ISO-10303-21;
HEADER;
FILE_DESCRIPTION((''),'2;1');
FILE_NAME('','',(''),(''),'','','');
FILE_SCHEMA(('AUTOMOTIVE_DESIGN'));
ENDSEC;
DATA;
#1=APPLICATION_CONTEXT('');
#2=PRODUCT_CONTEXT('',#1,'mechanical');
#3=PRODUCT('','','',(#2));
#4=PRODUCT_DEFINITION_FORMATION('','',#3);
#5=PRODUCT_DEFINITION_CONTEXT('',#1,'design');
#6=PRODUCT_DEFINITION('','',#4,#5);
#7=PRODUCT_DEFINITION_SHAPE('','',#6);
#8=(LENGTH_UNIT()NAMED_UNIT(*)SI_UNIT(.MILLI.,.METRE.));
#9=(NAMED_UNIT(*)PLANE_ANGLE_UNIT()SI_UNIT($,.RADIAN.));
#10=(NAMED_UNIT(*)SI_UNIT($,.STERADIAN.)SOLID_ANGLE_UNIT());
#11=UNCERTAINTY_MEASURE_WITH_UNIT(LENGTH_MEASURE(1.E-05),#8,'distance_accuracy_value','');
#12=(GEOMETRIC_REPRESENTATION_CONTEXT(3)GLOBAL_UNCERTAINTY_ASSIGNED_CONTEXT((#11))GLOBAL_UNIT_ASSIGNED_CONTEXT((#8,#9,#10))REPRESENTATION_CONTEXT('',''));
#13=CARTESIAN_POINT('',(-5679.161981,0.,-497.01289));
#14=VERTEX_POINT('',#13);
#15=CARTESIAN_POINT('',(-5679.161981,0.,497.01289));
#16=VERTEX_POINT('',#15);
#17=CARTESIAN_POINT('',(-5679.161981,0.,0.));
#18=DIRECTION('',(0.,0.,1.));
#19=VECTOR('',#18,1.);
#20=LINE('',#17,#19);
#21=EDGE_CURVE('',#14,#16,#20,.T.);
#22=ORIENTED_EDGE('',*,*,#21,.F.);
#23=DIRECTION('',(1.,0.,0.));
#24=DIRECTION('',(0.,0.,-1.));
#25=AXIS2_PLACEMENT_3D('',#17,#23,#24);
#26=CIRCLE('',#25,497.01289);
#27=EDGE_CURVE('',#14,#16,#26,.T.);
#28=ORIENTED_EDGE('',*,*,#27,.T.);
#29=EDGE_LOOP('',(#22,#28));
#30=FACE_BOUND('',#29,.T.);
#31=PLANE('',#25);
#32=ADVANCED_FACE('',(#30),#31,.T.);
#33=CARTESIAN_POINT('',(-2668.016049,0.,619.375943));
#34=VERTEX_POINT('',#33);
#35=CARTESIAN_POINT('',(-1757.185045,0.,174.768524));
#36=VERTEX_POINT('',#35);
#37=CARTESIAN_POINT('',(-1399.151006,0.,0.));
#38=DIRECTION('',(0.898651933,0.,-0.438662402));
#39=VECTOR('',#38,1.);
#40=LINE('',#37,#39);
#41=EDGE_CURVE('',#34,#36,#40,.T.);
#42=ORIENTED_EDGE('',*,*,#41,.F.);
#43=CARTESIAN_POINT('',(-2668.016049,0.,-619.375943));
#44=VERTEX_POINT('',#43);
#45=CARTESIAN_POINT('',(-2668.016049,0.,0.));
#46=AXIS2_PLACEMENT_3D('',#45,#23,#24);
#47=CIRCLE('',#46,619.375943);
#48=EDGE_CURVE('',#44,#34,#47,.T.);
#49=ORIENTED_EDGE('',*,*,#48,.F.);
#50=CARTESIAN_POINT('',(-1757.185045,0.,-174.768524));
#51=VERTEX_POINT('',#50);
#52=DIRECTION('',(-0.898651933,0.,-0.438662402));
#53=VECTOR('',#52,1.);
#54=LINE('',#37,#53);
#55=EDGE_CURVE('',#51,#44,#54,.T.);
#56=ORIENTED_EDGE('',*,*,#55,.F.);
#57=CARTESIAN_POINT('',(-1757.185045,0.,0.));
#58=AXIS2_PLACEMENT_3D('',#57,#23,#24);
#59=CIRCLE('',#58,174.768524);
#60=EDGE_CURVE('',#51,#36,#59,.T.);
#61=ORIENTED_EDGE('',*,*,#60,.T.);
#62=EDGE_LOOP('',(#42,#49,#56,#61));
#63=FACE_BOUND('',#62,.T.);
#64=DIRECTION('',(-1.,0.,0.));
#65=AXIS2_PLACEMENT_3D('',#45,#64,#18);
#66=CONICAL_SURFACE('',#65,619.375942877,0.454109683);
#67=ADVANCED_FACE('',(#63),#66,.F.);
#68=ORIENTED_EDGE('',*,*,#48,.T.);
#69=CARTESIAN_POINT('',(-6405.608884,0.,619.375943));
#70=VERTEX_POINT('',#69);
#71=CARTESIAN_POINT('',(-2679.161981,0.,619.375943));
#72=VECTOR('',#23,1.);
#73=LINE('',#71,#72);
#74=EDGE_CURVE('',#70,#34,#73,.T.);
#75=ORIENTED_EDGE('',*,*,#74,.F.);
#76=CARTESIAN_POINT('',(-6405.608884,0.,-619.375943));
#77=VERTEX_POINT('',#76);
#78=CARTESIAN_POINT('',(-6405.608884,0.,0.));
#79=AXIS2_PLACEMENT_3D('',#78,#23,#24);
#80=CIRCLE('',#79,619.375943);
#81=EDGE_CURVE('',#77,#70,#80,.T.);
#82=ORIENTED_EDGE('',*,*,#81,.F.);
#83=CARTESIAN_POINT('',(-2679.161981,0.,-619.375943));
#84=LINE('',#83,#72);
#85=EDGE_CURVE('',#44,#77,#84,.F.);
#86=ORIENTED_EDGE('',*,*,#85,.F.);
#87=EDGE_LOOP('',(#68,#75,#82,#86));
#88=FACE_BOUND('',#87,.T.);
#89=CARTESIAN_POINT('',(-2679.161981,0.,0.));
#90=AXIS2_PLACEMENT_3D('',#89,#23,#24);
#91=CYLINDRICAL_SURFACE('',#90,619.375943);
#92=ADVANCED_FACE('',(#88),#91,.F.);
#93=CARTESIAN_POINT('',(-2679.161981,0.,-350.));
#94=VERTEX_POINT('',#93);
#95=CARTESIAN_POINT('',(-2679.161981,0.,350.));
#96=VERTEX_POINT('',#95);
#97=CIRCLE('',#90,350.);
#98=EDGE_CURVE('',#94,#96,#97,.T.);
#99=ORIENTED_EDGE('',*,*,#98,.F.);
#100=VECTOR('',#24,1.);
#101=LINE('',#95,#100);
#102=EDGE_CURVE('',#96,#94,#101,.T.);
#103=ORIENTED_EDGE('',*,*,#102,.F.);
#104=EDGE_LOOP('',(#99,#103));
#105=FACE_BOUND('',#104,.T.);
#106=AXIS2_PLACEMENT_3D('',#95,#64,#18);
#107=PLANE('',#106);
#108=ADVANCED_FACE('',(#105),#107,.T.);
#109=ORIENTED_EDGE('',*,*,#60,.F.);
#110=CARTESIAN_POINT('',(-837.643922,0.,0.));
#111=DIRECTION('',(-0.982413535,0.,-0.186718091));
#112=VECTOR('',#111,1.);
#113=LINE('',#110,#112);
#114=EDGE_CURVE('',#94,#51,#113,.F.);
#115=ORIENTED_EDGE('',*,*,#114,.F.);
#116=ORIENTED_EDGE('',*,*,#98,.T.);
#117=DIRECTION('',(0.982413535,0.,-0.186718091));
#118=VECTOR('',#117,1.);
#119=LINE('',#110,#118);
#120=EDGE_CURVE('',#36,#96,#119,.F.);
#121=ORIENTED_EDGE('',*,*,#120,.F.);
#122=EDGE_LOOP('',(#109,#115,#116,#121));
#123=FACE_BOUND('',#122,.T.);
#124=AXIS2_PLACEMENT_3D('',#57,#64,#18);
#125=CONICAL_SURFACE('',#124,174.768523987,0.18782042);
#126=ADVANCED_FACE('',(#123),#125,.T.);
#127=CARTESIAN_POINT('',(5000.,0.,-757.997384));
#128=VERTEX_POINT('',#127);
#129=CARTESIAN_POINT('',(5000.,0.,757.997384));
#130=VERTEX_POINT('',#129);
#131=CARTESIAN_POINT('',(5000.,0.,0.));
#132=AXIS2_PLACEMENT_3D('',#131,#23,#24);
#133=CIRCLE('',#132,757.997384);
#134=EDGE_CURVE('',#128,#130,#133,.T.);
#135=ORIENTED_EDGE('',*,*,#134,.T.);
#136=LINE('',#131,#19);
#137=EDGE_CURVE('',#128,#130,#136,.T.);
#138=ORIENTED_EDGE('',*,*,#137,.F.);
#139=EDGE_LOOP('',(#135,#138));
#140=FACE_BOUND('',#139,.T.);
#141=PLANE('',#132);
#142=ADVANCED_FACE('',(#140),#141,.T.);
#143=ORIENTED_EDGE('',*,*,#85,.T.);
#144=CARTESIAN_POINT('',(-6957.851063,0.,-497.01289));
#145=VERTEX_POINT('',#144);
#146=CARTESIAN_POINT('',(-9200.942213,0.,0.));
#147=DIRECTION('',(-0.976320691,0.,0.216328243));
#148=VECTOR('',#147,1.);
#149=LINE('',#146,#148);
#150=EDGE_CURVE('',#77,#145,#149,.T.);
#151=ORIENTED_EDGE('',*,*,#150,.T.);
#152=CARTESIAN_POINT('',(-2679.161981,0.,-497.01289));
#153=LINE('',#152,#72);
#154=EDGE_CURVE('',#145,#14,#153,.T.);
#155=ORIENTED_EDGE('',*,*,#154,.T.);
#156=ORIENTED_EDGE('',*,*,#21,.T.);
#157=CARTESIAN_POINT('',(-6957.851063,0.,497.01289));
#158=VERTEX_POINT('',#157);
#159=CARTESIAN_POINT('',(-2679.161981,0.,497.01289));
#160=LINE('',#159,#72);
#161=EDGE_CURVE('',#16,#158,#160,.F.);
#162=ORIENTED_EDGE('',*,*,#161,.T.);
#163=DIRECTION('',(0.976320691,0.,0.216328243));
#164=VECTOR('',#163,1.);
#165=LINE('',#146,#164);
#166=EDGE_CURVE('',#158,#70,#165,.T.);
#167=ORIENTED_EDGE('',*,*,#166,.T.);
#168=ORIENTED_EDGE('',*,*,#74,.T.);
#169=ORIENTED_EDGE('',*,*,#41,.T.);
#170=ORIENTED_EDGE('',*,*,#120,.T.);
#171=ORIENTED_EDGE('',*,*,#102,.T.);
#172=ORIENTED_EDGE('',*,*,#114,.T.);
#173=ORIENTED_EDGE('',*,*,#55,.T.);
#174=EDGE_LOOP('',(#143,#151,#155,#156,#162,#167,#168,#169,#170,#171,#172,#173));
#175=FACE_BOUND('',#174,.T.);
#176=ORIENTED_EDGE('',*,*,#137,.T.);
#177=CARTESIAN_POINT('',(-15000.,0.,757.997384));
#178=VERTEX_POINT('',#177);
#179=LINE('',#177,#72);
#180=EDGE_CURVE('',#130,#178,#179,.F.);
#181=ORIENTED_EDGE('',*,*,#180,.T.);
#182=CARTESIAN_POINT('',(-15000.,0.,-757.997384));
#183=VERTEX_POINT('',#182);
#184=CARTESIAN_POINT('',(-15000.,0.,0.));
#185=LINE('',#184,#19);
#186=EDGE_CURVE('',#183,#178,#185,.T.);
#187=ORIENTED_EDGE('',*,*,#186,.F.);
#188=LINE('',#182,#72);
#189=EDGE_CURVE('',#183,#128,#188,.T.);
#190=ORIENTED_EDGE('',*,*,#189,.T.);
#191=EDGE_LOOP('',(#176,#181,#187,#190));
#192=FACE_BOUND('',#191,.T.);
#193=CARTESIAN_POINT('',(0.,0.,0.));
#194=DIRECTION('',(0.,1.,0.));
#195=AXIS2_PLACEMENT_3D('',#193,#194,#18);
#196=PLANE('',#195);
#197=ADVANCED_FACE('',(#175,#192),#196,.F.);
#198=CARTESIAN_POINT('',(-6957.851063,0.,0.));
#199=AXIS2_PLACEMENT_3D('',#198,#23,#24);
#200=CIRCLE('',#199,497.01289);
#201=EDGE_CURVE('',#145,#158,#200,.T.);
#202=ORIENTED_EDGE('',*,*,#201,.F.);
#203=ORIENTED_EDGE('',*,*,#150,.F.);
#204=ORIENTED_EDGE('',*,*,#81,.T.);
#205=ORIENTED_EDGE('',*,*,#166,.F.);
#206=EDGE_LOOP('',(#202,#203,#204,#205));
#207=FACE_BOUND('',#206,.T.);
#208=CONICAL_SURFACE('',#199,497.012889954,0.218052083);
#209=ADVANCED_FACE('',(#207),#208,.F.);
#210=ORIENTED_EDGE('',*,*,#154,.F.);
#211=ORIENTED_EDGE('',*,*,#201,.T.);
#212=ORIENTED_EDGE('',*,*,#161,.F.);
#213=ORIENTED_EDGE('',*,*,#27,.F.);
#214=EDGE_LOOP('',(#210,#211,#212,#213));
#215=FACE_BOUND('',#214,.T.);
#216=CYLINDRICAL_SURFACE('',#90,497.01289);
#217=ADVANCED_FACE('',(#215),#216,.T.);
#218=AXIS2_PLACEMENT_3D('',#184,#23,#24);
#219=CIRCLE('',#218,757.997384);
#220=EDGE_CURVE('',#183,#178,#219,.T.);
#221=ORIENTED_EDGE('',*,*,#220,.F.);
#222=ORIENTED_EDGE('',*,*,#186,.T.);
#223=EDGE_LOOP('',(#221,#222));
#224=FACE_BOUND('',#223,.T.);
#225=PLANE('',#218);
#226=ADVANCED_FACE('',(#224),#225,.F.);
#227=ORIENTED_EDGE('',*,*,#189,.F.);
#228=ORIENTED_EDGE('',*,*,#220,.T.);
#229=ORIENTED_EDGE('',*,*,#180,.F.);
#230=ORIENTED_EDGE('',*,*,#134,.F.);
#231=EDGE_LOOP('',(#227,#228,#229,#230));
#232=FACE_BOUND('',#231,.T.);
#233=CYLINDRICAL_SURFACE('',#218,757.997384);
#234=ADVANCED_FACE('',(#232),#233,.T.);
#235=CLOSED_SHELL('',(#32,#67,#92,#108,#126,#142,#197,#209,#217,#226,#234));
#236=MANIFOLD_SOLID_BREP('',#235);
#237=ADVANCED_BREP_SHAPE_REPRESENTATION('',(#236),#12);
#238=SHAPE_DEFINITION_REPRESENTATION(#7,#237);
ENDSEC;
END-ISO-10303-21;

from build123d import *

# Parameters (mm, degrees)
BOSS_EXTRUDE1_DEPTH      = 5000
BOSS_EXTRUDE1_DEPTH_BACK = 15000
SKETCH2_R                = 757.99738402
SKETCH3_W                = 22982.636608486
SKETCH3_H                = 3639.943339499
CUT_EXTRUDE1_DEPTH       = 15039.255220216


with BuildPart() as part:
    # Sketch1 → Revolve1 (revolve)
    with BuildSketch(Plane(origin=(0, 0, 0), x_dir=(-1, 0, 0), z_dir=(0, 1, 0)), mode=Mode.PRIVATE) as revolve1_sk:
        Polygon((2668.016049341, 619.375942877), (1757.185045246, 174.768523987), (2679.161981208, 350), (2679.161981208, 0), (5679.161981208, 0), (5679.161981208, 497.012889954), (6957.851062661, 497.012889954), (6405.608884025, 619.375942877), align=None)
    revolve(revolve1_sk.sketch.rotate(Axis((-2679.161981208, 0, 0), (-1, 0, 0)), 180), axis=Axis((-2679.161981208, 0, 0), (-1, 0, 0)))


with BuildPart() as body_2:
    # Sketch2 → Boss-Extrude1 (new, two sides: drawn at the far end of the back side and taken through both)
    with BuildSketch(Plane(origin=(0, 0, 0), x_dir=(0, 0, -1), z_dir=(1, 0, 0)).offset(-BOSS_EXTRUDE1_DEPTH_BACK)):
        Circle(SKETCH2_R)
    extrude(amount=BOSS_EXTRUDE1_DEPTH + BOSS_EXTRUDE1_DEPTH_BACK)

    # Combine1: cut part
    add(part.part, mode=Mode.SUBTRACT)

    # Sketch3 → Cut-Extrude1 (cut, through all)
    with BuildSketch(Plane(origin=(0, 0, 0), x_dir=(-1, 0, 0), z_dir=(0, 1, 0))):
        with Locations((5164.892884317, 260.380744392)):
            Rectangle(SKETCH3_W, SKETCH3_H)
    extrude(amount=-CUT_EXTRUDE1_DEPTH, mode=Mode.SUBTRACT)


solid = body_2.part
